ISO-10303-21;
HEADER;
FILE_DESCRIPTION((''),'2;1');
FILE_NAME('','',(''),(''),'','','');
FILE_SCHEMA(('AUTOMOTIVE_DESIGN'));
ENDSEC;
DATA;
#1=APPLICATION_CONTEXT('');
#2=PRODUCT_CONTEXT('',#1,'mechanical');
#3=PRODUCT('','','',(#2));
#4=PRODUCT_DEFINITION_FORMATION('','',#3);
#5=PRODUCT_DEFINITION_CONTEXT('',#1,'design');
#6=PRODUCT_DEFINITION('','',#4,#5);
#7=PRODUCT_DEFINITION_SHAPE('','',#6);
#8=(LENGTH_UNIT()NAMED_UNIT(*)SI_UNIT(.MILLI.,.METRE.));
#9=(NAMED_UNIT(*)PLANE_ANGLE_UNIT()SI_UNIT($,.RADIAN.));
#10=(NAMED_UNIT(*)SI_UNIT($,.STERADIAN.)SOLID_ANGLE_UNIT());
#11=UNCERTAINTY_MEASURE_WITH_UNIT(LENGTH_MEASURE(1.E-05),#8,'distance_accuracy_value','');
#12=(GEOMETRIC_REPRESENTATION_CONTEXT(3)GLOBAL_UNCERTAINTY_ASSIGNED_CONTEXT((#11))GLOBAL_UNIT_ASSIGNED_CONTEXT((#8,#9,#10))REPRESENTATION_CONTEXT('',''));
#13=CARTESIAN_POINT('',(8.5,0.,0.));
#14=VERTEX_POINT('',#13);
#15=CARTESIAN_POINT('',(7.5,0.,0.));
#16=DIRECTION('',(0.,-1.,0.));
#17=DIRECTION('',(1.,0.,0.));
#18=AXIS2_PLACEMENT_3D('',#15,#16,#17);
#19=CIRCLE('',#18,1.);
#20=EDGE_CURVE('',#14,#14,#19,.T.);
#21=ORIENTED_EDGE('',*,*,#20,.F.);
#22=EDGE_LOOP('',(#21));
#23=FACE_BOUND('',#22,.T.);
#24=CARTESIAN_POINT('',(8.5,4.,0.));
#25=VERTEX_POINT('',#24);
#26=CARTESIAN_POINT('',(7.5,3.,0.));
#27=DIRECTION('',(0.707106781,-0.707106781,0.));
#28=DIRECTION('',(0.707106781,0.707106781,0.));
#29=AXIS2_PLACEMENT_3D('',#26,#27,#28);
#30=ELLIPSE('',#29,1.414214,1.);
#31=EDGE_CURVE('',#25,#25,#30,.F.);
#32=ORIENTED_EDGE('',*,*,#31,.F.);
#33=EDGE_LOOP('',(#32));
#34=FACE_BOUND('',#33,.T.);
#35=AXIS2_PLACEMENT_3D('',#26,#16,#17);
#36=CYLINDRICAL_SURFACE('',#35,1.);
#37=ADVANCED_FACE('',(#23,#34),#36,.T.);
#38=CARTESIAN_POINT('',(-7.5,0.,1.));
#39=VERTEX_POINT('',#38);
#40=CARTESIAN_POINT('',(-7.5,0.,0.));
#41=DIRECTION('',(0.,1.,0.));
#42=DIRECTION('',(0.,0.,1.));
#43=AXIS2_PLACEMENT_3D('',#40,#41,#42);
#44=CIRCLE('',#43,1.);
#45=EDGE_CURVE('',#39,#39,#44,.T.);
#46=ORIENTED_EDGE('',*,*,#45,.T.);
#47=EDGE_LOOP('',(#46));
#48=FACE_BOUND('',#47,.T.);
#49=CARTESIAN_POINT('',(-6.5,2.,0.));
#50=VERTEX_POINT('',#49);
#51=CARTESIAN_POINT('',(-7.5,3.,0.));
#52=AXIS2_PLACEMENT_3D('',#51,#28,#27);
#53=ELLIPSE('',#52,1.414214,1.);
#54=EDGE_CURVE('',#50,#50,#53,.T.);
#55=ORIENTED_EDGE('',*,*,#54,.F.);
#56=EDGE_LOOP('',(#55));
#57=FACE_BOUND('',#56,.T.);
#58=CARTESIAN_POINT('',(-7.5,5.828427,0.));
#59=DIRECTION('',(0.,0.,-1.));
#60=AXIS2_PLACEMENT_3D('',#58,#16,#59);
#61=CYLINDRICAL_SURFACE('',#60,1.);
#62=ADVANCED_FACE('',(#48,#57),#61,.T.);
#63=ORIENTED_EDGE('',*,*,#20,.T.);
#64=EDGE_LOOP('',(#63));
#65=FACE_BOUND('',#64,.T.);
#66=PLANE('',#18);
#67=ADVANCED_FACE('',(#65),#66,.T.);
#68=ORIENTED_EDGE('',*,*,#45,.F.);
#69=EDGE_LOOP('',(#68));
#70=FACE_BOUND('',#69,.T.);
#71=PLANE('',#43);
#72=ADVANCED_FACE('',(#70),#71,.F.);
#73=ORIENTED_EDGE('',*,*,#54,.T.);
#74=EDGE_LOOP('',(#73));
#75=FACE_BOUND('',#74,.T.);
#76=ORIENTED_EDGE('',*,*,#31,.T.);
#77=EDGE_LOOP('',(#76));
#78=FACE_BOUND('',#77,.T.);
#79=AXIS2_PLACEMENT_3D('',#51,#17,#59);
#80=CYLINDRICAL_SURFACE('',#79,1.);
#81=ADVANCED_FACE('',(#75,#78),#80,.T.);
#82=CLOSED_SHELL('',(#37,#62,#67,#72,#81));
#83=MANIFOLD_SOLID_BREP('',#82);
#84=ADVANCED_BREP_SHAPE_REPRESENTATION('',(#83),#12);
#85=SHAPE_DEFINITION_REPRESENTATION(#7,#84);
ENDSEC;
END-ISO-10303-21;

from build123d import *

# Parameters (mm, degrees)
SKETCH2_R = 1


with BuildPart() as part:
    # Sweep1: sweep along a path in Sketch1
    with BuildLine(Plane.XY) as sweep1_path:
        Line((-7.5, 0), (-7.5, 3))
        Line((-7.5, 3), (7.5, 3))
        Line((7.5, 3), (7.5, 0))
    # Sketch2 → Sweep1 (sweep)
    with BuildSketch(Plane(origin=(0, 0, 0), x_dir=(1, 0, 0), z_dir=(0, 1, 0))):
        with Locations((-7.5, 0)):
            Circle(SKETCH2_R)
    sweep(path=sweep1_path.line, transition=Transition.RIGHT)


solid = part.part
